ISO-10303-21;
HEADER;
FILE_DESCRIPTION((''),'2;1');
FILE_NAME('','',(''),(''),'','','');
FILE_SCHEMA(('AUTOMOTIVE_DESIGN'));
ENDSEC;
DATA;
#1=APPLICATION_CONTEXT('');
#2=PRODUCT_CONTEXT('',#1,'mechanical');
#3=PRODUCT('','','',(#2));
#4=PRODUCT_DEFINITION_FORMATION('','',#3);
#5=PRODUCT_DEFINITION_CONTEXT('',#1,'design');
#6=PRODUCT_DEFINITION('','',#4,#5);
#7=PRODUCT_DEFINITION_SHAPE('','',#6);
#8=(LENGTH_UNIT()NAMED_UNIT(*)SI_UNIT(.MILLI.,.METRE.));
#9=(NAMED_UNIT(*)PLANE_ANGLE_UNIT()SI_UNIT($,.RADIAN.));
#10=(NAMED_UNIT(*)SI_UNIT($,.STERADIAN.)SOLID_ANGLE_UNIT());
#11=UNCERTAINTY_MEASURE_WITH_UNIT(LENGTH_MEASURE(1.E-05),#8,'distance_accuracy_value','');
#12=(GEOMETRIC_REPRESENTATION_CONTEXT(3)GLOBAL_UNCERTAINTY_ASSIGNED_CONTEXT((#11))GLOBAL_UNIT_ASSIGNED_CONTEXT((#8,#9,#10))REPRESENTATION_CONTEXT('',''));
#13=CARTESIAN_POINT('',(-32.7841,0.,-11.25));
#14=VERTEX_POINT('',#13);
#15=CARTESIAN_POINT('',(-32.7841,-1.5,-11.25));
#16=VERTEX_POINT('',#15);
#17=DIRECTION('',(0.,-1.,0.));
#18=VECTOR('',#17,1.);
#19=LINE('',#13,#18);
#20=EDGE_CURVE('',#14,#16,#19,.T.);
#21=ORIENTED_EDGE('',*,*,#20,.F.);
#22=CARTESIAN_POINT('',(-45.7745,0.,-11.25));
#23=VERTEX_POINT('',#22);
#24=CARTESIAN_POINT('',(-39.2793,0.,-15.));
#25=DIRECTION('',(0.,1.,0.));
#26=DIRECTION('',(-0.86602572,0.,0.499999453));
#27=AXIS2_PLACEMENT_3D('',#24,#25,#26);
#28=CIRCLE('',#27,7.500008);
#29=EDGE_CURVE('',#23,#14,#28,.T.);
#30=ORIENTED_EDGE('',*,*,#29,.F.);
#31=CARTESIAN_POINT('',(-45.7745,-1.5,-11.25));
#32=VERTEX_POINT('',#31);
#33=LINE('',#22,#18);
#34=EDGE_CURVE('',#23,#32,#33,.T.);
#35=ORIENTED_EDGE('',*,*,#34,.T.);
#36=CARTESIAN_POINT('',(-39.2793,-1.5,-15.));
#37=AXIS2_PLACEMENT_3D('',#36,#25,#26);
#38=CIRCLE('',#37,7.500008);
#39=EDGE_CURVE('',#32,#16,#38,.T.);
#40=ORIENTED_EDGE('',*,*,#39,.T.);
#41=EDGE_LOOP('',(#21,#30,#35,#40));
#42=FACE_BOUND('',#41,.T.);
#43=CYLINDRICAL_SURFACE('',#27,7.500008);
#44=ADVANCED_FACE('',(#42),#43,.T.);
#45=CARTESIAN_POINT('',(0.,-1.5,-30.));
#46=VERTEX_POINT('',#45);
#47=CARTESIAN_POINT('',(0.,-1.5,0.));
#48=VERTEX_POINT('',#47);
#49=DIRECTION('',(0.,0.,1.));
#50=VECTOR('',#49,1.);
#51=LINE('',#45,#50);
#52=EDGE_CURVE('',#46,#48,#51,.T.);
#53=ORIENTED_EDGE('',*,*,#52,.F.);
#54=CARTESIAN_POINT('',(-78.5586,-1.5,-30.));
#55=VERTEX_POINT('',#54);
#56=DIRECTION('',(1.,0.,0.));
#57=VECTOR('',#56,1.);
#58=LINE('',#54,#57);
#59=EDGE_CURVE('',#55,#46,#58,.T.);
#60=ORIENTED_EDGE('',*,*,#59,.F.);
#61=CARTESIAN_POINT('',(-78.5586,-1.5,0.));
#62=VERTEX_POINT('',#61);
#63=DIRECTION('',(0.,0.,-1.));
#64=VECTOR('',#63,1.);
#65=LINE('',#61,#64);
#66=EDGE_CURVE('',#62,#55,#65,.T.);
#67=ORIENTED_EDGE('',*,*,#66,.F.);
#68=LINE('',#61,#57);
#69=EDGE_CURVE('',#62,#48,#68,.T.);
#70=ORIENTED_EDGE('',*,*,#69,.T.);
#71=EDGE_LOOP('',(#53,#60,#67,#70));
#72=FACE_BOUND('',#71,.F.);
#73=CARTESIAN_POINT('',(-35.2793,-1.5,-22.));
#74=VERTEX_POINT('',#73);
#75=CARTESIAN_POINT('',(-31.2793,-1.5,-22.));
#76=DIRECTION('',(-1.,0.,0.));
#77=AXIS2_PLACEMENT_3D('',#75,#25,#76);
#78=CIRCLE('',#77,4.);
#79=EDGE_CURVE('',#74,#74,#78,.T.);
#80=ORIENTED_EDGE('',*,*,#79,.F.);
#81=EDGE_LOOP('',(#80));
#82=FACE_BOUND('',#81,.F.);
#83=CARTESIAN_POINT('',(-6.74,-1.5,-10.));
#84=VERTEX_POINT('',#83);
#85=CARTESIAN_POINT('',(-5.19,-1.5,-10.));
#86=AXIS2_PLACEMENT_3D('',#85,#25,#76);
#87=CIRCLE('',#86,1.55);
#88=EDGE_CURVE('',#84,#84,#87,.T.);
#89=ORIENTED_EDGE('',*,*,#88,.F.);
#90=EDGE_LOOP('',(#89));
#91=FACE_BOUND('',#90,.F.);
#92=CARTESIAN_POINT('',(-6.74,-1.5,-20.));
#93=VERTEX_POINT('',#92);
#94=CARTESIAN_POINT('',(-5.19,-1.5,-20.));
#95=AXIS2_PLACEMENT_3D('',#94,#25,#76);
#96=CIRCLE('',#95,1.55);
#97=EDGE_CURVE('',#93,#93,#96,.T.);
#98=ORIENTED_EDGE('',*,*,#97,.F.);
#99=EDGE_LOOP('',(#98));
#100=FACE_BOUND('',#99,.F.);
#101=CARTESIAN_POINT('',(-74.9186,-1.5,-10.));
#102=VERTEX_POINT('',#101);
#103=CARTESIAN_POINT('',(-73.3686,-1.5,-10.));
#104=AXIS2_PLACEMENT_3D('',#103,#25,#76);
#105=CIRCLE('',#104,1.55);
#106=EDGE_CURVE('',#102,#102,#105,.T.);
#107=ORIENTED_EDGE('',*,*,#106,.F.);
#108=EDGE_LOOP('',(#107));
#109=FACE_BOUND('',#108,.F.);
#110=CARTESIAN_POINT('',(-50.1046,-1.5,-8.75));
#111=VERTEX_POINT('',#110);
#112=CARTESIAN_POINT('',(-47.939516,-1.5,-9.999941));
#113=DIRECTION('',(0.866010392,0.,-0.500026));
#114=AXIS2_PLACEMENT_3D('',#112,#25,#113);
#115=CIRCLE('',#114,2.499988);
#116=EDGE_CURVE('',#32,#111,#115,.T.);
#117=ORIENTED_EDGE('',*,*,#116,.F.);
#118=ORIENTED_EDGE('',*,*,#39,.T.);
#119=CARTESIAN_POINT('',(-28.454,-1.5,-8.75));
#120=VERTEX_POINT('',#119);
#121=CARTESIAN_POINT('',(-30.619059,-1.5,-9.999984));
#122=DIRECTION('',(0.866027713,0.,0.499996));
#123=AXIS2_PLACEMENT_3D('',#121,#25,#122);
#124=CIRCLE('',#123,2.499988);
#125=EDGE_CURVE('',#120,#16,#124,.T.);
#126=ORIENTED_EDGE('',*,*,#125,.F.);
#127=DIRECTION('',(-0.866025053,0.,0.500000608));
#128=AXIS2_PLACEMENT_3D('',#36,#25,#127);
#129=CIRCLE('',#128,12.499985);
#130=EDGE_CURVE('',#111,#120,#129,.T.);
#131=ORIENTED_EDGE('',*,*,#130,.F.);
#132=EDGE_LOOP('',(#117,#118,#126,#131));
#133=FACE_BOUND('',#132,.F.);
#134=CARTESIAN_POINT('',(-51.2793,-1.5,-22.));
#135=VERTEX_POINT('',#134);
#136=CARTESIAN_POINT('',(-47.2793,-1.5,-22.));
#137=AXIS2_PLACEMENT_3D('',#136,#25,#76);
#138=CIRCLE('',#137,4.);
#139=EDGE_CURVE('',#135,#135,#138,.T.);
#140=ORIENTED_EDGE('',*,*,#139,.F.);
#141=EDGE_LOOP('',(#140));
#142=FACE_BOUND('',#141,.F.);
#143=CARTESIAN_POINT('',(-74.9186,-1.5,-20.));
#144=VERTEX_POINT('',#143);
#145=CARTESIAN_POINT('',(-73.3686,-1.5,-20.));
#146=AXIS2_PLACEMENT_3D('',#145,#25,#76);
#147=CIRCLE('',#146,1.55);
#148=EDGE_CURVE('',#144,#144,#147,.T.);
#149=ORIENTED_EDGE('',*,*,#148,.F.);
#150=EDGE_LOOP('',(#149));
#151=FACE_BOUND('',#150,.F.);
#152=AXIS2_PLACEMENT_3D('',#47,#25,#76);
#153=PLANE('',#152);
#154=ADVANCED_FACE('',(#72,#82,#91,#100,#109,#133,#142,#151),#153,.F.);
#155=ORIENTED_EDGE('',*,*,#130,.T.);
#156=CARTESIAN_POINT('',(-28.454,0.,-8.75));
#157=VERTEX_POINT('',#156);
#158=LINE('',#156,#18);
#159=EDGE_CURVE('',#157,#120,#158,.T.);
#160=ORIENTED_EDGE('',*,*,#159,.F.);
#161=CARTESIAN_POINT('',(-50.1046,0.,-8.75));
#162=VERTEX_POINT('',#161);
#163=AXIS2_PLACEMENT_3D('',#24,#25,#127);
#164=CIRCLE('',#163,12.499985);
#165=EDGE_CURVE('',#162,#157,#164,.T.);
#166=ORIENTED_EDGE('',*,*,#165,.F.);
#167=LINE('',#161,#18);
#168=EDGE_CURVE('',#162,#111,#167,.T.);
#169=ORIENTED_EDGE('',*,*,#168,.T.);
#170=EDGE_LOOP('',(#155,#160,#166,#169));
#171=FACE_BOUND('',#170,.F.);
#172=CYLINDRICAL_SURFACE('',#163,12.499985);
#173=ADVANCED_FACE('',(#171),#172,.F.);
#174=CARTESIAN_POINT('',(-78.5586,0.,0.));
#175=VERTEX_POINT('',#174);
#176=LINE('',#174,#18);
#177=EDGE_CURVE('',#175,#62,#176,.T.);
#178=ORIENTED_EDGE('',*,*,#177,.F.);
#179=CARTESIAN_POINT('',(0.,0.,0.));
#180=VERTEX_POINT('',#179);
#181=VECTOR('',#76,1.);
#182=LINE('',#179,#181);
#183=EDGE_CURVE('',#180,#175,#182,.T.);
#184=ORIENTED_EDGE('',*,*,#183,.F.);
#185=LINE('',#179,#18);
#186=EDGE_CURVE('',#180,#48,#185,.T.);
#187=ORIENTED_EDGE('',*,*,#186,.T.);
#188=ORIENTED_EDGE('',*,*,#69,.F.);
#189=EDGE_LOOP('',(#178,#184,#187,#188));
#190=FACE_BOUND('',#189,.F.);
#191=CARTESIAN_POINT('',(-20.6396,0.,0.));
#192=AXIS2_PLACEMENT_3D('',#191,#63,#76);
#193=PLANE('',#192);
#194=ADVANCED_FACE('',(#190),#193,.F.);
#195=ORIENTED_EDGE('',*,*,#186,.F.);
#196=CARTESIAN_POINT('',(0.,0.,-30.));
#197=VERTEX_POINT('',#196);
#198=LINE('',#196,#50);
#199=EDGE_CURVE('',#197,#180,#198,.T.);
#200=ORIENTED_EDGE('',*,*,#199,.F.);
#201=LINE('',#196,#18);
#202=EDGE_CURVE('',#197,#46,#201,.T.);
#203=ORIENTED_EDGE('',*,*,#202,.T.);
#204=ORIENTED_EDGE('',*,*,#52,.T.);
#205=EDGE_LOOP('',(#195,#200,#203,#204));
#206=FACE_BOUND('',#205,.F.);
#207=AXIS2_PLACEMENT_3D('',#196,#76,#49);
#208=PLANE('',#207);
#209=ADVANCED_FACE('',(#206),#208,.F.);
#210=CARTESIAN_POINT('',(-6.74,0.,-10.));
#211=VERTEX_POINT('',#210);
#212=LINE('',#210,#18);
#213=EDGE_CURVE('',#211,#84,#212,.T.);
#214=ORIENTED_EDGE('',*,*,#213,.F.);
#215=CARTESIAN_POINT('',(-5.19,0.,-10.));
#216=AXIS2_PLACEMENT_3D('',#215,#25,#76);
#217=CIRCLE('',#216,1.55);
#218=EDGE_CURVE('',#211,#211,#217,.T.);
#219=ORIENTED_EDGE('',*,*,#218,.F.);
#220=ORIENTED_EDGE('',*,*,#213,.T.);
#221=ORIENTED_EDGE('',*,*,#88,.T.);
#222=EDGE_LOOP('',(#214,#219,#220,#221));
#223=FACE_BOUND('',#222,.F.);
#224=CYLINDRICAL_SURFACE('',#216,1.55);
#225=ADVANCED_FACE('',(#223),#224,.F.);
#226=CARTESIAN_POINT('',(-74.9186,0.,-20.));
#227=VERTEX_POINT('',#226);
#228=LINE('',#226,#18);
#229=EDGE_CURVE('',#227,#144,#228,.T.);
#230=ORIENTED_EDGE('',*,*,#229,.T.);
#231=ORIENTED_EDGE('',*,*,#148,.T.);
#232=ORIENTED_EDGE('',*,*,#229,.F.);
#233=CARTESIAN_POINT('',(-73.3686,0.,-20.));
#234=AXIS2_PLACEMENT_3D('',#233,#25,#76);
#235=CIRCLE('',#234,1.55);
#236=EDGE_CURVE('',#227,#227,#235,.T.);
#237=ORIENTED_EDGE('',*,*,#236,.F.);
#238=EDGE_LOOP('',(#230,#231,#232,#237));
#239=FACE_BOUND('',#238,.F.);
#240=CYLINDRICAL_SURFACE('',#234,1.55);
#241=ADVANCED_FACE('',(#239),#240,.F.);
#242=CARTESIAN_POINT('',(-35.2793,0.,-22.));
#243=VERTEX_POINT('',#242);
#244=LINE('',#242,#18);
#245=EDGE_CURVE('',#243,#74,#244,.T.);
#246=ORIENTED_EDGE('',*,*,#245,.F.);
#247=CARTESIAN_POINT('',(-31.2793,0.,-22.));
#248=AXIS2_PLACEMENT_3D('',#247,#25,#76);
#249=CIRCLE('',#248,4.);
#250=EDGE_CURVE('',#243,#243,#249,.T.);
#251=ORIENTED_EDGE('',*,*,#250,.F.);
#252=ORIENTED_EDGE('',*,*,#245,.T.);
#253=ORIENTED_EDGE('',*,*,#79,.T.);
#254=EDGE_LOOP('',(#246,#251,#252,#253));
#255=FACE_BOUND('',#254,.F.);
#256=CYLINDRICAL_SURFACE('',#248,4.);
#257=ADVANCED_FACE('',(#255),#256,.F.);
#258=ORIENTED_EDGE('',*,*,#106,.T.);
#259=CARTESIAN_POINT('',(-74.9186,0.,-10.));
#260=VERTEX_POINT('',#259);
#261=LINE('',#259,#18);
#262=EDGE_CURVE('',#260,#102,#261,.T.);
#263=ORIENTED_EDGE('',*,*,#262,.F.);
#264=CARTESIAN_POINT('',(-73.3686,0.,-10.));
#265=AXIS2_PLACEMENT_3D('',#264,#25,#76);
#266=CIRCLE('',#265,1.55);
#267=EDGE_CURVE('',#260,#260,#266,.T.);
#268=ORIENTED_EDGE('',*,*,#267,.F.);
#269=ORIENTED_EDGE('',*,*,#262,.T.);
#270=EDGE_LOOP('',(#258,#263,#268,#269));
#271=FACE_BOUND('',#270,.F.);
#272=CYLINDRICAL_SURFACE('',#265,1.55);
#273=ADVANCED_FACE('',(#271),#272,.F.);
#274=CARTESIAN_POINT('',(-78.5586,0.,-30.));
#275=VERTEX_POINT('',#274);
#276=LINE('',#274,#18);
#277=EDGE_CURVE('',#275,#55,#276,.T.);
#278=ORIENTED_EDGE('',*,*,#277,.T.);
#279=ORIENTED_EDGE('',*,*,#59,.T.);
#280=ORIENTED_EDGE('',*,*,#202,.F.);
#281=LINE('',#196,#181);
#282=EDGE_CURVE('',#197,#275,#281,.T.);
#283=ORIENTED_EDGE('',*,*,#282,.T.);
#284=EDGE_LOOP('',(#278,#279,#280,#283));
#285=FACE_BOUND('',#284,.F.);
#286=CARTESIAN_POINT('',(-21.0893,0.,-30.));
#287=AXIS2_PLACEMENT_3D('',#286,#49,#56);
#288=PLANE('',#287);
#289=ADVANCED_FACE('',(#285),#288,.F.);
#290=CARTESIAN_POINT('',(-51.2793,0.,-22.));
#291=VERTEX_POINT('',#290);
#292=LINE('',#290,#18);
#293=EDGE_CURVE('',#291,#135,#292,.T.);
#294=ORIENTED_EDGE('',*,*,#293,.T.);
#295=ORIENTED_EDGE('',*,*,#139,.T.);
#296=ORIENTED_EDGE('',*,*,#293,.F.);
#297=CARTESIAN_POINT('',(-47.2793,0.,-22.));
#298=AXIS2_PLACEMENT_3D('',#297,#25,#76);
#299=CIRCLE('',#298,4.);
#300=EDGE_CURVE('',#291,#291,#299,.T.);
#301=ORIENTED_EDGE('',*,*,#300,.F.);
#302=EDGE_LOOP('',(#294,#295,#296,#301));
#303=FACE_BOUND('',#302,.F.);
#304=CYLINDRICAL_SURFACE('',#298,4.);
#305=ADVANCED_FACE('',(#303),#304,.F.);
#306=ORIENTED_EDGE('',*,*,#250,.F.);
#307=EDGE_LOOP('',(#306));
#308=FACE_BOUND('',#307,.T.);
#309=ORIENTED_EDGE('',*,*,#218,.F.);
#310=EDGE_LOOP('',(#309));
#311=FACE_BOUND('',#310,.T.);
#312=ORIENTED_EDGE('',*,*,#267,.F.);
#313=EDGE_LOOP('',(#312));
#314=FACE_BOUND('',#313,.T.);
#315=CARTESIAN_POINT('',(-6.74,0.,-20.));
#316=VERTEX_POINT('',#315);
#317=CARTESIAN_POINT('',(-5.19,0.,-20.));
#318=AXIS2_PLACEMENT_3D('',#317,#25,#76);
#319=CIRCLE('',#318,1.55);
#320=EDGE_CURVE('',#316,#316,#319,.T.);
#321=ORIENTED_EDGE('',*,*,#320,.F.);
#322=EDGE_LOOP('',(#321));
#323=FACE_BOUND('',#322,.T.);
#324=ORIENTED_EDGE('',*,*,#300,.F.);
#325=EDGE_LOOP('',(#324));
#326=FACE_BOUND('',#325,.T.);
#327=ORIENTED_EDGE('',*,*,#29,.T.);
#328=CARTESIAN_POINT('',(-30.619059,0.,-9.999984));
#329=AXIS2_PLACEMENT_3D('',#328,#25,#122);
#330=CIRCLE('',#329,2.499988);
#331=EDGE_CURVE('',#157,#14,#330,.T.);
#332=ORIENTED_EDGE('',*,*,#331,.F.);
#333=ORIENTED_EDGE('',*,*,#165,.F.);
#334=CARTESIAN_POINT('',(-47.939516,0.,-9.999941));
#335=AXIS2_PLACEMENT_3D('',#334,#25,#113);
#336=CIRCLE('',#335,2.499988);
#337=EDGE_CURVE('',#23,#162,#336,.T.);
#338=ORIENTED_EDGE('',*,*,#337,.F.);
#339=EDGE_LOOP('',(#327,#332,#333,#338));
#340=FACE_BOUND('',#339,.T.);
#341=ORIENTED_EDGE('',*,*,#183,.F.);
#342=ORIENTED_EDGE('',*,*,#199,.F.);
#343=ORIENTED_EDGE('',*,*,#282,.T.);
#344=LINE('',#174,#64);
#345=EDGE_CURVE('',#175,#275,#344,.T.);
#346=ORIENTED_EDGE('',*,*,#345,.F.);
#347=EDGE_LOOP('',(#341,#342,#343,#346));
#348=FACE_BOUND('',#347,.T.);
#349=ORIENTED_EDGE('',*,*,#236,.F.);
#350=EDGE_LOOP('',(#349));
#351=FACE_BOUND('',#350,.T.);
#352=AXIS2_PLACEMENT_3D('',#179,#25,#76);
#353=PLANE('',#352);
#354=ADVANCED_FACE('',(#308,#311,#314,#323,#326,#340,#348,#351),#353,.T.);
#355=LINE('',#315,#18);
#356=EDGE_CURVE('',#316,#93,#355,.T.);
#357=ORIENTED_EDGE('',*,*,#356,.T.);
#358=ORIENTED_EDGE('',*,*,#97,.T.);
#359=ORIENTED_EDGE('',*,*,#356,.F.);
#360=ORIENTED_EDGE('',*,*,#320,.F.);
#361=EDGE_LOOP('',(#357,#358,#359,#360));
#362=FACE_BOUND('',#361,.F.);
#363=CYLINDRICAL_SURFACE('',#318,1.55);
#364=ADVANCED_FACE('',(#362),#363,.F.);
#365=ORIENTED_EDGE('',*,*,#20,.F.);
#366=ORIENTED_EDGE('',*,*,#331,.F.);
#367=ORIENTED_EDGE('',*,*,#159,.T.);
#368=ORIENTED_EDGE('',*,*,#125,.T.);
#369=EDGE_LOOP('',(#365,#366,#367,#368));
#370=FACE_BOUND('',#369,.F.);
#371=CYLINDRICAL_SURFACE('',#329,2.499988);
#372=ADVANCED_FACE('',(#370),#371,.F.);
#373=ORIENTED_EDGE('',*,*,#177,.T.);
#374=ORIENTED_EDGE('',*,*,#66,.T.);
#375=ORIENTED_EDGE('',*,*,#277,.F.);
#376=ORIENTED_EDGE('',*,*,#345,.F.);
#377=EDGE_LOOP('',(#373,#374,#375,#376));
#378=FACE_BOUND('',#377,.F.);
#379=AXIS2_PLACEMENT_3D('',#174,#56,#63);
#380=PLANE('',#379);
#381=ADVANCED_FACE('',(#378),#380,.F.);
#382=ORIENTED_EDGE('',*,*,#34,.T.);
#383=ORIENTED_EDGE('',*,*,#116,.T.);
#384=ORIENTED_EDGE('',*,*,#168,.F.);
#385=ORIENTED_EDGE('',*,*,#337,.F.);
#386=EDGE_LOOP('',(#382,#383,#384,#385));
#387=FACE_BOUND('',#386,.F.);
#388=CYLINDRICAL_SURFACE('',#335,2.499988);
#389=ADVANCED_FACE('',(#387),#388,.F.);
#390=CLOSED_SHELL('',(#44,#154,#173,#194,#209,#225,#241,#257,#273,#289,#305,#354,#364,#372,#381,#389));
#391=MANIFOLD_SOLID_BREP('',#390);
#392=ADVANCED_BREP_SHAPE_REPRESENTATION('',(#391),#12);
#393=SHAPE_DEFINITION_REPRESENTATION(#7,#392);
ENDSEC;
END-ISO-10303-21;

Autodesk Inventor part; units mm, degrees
ref_plane "YZ Plane" through (0, 0, 0) normal (1, 0, 0) x (0, 1, 0)
ref_plane "XZ Plane" through (0, 0, 0) normal (0, 1, 0) x (-1, 0, 0)
ref_plane "XY Plane" through (0, 0, 0) normal (0, 0, 1) x (1, 0, 0)
sketch "Sketch1" plane through (0, 0, 0) normal (0, 1, 0) x (-1, 0, 0)
  line L0 (20.6396, 0) -> (20.6396, -30)
  line L1 (57.9189, -30) -> (57.9189, 0)
  arc A0 (50.1046, -8.75) -> (28.454, -8.75) centre (39.2793, -15) ccw
  arc A1 (28.454, -8.75) -> (32.7841, -11.25) centre (30.619, -10) ccw
  arc A2 (45.7745, -11.25) -> (32.7841, -11.25) centre (39.2793, -15) ccw
  arc A3 (45.7745, -11.25) -> (50.1046, -8.75) centre (47.9395, -10) ccw
  circle A4 centre (47.2793, -22) radius 4
  circle A5 centre (31.2793, -22) radius 4
  circle A6 centre (73.3686, -10) radius 1.55
  circle A7 centre (5.19, -10) radius 1.55
  circle A8 centre (73.3686, -20) radius 1.55
  circle A9 centre (5.19, -20) radius 1.55
  line L2 (0, -30) -> (0, 0)
  line L3 (78.5586, -30) -> (0, -30)
  line L4 (0, 0) -> (78.5586, 0)
  line L5 (78.5586, 0) -> (78.5586, -30)
  line L6 (58.3686, 0) -> (58.3686, -30)
  line L7 (57.4693, -30) -> (57.4693, 0)
  line L8 (21.0893, 0) -> (21.0893, -30)
  line L9 (20.19, -30) -> (20.19, 0)
extrude "Extrusion1" add sketch "Sketch1" against normal blind 1.5
properties part number "Head2"
